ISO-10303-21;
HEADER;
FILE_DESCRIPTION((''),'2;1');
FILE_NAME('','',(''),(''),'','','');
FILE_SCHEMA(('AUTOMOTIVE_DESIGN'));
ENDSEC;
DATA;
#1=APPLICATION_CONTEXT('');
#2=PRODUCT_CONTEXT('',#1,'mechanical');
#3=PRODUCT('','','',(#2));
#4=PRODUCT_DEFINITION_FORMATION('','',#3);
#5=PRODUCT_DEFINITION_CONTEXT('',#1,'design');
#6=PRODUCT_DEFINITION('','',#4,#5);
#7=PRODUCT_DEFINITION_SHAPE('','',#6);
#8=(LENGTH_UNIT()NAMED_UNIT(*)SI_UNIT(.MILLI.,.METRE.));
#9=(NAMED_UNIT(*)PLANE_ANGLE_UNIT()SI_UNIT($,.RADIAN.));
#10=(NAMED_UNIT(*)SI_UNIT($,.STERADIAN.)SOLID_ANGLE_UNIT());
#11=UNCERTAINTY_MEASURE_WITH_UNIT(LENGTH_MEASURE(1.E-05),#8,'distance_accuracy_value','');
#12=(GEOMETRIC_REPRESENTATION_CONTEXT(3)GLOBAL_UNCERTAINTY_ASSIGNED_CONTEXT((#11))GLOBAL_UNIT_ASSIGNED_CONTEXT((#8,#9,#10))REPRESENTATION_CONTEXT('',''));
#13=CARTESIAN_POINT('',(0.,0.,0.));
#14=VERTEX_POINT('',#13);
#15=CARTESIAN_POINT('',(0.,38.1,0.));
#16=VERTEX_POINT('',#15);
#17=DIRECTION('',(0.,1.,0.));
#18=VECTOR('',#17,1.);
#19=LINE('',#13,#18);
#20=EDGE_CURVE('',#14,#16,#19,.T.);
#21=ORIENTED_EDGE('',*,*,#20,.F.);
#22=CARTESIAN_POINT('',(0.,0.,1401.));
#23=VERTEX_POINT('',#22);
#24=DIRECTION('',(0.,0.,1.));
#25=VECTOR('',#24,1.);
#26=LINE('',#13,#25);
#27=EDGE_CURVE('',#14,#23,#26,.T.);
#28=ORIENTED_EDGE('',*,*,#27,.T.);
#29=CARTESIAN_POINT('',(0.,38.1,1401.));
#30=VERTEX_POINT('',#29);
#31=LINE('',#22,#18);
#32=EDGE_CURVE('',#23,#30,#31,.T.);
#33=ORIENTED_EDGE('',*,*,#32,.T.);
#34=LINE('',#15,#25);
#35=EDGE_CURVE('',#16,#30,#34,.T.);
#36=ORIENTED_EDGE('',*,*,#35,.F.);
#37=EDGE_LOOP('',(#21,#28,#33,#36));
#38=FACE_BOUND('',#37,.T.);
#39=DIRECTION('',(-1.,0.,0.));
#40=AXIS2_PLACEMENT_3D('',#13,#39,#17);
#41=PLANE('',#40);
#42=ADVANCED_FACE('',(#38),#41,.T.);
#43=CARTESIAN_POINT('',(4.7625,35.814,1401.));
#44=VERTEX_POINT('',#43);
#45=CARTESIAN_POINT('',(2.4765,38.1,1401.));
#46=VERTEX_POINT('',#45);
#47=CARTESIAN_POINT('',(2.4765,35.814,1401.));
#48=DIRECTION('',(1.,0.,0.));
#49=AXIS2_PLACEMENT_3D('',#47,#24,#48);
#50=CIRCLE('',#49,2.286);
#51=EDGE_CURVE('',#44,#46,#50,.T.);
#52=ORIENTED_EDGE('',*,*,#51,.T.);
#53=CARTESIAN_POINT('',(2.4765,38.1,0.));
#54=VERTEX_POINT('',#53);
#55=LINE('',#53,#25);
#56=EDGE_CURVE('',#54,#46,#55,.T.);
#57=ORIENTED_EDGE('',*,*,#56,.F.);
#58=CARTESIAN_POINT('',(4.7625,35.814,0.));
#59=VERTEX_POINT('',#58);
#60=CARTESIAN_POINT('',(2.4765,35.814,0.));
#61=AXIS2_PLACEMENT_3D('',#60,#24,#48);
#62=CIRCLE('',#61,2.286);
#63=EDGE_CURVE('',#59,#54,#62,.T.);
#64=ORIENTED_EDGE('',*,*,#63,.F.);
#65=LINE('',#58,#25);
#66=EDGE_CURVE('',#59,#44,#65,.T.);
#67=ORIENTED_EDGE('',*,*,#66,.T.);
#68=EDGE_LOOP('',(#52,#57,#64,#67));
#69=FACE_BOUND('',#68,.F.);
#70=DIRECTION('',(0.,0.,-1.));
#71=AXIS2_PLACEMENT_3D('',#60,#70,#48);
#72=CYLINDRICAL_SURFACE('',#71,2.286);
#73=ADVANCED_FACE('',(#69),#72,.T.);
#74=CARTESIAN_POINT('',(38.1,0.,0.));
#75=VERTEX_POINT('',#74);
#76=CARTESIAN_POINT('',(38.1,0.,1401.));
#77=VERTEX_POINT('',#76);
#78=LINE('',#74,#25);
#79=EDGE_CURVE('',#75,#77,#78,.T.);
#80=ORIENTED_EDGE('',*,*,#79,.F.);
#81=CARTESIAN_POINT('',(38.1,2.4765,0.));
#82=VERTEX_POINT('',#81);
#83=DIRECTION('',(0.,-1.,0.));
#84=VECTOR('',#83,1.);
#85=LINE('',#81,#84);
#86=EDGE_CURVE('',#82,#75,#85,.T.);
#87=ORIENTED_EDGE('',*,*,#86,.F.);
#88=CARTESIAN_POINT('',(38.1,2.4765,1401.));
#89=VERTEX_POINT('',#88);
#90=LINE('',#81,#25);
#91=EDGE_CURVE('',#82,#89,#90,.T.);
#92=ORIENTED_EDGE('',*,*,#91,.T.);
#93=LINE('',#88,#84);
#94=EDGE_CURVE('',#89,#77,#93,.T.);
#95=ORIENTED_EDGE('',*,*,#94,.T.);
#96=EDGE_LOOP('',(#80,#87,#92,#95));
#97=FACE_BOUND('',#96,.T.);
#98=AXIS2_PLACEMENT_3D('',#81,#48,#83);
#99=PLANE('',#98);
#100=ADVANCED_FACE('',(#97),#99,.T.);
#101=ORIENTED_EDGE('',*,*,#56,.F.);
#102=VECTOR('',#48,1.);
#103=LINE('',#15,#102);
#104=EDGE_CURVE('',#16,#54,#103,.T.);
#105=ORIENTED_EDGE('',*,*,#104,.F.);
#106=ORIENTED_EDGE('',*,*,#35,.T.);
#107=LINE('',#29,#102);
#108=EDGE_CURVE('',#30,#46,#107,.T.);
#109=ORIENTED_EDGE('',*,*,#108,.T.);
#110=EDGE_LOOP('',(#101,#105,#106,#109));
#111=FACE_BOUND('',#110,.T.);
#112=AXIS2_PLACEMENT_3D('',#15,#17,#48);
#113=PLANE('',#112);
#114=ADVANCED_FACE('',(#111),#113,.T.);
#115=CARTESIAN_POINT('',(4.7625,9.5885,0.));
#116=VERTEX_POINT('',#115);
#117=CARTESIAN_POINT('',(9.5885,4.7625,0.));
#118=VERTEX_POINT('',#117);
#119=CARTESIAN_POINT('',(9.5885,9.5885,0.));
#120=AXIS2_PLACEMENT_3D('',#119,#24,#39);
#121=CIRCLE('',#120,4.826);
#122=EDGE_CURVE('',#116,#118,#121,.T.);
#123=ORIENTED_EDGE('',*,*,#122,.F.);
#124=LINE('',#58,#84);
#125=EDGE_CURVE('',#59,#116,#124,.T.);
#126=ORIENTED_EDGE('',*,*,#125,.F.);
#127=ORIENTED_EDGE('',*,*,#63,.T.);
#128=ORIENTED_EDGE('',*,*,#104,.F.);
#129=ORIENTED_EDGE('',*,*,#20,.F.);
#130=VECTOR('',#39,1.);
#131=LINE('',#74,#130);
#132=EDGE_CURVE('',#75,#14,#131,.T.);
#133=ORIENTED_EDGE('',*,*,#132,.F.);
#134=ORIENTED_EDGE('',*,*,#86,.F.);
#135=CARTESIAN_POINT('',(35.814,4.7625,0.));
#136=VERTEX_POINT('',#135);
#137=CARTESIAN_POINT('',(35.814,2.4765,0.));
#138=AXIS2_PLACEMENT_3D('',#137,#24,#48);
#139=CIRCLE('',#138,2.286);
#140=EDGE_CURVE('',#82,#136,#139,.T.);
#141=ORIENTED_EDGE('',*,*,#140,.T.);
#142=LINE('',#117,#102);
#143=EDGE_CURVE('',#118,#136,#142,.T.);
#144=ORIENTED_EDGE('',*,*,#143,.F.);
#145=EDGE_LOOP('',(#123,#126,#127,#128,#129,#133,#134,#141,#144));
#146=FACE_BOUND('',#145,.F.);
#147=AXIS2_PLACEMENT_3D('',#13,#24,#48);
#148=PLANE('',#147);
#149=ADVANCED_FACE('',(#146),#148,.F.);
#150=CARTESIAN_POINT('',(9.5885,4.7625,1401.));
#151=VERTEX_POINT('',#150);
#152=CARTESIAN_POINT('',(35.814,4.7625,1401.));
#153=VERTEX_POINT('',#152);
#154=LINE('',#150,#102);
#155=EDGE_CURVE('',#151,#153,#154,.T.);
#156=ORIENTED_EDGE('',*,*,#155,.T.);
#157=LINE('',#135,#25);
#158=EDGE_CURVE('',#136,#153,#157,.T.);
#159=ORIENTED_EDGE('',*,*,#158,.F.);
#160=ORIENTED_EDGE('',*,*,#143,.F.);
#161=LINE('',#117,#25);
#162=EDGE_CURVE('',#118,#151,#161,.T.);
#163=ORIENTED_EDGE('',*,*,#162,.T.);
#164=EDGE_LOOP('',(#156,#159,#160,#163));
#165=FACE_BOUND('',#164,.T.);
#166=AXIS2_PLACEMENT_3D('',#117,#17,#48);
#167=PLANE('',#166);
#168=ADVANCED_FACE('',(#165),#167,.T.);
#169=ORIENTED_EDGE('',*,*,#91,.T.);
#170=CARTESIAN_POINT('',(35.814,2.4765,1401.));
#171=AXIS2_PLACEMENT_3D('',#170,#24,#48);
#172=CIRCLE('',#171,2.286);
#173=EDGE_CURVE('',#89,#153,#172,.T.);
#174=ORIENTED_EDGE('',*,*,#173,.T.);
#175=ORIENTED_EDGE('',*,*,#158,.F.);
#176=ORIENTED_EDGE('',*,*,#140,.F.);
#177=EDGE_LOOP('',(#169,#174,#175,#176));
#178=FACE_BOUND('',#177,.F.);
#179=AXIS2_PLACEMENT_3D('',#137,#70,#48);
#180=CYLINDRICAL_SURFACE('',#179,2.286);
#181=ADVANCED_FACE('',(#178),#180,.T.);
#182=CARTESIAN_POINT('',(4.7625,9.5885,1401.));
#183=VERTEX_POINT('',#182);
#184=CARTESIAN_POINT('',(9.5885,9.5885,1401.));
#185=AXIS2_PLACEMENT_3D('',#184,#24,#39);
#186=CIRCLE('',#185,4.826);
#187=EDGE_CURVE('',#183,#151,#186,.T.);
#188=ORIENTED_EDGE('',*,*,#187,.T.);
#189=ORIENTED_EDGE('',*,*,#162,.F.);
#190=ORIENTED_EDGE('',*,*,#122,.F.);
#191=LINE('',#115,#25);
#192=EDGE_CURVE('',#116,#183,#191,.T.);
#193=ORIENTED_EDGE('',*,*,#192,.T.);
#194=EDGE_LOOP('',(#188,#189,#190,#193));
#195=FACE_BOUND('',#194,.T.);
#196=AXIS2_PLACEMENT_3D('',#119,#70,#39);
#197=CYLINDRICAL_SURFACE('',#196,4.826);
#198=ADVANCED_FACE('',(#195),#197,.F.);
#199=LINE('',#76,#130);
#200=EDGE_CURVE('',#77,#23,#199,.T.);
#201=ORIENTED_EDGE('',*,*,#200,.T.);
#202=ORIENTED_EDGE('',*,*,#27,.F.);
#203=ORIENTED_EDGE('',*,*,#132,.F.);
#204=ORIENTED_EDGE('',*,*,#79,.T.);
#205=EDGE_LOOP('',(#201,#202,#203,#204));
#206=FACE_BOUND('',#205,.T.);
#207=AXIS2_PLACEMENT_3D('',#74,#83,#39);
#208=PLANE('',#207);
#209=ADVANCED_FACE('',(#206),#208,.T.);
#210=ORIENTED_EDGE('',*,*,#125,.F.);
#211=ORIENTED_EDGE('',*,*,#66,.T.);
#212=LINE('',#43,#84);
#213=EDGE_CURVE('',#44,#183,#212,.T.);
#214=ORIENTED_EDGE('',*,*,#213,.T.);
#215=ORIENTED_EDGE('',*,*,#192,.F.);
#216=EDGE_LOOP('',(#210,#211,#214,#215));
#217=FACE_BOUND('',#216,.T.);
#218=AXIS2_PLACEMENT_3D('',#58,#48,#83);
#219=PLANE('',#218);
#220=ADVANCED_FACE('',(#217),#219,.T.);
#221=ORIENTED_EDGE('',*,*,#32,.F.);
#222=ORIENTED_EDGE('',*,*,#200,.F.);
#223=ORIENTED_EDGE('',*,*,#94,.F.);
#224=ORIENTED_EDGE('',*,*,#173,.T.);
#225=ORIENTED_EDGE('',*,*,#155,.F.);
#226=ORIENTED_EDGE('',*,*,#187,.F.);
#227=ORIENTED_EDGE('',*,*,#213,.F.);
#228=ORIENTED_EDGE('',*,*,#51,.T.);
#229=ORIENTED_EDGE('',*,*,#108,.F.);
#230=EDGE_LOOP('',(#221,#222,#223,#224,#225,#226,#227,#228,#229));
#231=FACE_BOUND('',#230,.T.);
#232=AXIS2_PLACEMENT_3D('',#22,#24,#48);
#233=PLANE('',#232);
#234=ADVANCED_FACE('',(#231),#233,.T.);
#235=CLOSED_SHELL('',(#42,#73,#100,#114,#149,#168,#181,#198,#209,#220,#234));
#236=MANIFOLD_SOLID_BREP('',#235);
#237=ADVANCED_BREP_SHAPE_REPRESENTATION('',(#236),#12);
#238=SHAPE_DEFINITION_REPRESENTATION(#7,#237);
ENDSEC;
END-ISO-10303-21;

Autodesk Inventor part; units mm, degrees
ref_plane "YZ Plane" through (0, 0, 0) normal (1, 0, 0) x (0, 1, 0)
ref_plane "Plano inicial" through (0, 0, 0) normal (0, 0, 1) x (1, 0, 0)
ref_plane "Plano final" through (0, 0, 1401) normal (0, 0, 1) x (1, 0, 0)
sketch "Boceto" plane through (0, 0, 0) normal (0, 0, 1) x (1, 0, 0)
  line L0 (38.1, 0) -> (0, 0)
  line L1 (0, 0) -> (0, 38.1)
  line L2 (0, 38.1) -> (2.4765, 38.1)
  line L3 (4.7625, 35.814) -> (4.7625, 9.5885)
  line L4 (9.5885, 4.7625) -> (35.814, 4.7625)
  line L5 (38.1, 2.4765) -> (38.1, 0)
  line L6 (0, -11.0414) -> (0, 31.5385) construction
  line L7 (-11.0414, 0) -> (31.5385, 0) construction
  arc A0 (4.7625, 9.5885) -> (9.5885, 4.7625) centre (9.5885, 9.5885) ccw
  arc A1 (4.7625, 35.814) -> (2.4765, 38.1) centre (2.4765, 35.814) ccw
  arc A2 (38.1, 2.4765) -> (35.814, 4.7625) centre (35.814, 2.4765) ccw
  line L8 (0, 48.4964) -> (0, -20.9644) construction
  line L9 (-20.9644, 0) -> (48.4964, 0) construction
  point P0 (4.7625, 38.1)
  point P1 (4.7625, 4.7625)
  point P2 (38.1, 4.7625)
  dimension "d0" = 38.1
  dimension "d1" = 38.1
  dimension "d2" = 4.7625
  dimension "d3" = 4.7625
  dimension "d10" = 0
  dimension "d11" = 0
  dimension "d14" = 4.826
  dimension "d15" = 2.286
extrude "Cuerpo" add sketch "Boceto" along normal up to surface (1401 mm away) from surface at 0
sketch "Sketch3" plane through (0, 0, 0) normal (0, 0, 1) x (1, 0, 0)
  line L0 (0, 0) -> (10, 0)
ref_plane "Work Plane3" through (0, 0, 0) normal (0, -1, 0) x (1, 0, 0)
sketch "Sketch4" plane through (0, 0, 0) normal (0, -1, 0) x (1, 0, 0)
  line L0 (-2, 0) -> (12, 0)
  line L1 (-2, 1401) -> (12, 1401)
  dimension "d17" = 1401
equation "\"d0\" = G_H"
equation "\"d1\" = G_H"
equation "\"d2\" = G_T"
equation "\"d3\" = G_T"
equation "\"d14\" = G_IR"
equation "\"d15\" = G_ER"
equation "\"d4\" = G_L"
equation "\"G_H\" = 38.1"
equation "\"G_T\" = 4.7625"
equation "\"G_ER\" = 2.286"
equation "\"G_IR\" = 4.826"
equation "\"G_L\" = d17"
equation "\"ex\" = 0"
equation "\"G_OFFSET_START\" = 0"
equation "\"G_OFFSET_END\" = 0"
equation "\"d13\" = G_OFFSET_END + B_L"
equation "\"B_L\" = 1401"
properties part number "AISC - L 1,5 x 1,5 x 3/16 - 55,157" material "Acero, suave"
